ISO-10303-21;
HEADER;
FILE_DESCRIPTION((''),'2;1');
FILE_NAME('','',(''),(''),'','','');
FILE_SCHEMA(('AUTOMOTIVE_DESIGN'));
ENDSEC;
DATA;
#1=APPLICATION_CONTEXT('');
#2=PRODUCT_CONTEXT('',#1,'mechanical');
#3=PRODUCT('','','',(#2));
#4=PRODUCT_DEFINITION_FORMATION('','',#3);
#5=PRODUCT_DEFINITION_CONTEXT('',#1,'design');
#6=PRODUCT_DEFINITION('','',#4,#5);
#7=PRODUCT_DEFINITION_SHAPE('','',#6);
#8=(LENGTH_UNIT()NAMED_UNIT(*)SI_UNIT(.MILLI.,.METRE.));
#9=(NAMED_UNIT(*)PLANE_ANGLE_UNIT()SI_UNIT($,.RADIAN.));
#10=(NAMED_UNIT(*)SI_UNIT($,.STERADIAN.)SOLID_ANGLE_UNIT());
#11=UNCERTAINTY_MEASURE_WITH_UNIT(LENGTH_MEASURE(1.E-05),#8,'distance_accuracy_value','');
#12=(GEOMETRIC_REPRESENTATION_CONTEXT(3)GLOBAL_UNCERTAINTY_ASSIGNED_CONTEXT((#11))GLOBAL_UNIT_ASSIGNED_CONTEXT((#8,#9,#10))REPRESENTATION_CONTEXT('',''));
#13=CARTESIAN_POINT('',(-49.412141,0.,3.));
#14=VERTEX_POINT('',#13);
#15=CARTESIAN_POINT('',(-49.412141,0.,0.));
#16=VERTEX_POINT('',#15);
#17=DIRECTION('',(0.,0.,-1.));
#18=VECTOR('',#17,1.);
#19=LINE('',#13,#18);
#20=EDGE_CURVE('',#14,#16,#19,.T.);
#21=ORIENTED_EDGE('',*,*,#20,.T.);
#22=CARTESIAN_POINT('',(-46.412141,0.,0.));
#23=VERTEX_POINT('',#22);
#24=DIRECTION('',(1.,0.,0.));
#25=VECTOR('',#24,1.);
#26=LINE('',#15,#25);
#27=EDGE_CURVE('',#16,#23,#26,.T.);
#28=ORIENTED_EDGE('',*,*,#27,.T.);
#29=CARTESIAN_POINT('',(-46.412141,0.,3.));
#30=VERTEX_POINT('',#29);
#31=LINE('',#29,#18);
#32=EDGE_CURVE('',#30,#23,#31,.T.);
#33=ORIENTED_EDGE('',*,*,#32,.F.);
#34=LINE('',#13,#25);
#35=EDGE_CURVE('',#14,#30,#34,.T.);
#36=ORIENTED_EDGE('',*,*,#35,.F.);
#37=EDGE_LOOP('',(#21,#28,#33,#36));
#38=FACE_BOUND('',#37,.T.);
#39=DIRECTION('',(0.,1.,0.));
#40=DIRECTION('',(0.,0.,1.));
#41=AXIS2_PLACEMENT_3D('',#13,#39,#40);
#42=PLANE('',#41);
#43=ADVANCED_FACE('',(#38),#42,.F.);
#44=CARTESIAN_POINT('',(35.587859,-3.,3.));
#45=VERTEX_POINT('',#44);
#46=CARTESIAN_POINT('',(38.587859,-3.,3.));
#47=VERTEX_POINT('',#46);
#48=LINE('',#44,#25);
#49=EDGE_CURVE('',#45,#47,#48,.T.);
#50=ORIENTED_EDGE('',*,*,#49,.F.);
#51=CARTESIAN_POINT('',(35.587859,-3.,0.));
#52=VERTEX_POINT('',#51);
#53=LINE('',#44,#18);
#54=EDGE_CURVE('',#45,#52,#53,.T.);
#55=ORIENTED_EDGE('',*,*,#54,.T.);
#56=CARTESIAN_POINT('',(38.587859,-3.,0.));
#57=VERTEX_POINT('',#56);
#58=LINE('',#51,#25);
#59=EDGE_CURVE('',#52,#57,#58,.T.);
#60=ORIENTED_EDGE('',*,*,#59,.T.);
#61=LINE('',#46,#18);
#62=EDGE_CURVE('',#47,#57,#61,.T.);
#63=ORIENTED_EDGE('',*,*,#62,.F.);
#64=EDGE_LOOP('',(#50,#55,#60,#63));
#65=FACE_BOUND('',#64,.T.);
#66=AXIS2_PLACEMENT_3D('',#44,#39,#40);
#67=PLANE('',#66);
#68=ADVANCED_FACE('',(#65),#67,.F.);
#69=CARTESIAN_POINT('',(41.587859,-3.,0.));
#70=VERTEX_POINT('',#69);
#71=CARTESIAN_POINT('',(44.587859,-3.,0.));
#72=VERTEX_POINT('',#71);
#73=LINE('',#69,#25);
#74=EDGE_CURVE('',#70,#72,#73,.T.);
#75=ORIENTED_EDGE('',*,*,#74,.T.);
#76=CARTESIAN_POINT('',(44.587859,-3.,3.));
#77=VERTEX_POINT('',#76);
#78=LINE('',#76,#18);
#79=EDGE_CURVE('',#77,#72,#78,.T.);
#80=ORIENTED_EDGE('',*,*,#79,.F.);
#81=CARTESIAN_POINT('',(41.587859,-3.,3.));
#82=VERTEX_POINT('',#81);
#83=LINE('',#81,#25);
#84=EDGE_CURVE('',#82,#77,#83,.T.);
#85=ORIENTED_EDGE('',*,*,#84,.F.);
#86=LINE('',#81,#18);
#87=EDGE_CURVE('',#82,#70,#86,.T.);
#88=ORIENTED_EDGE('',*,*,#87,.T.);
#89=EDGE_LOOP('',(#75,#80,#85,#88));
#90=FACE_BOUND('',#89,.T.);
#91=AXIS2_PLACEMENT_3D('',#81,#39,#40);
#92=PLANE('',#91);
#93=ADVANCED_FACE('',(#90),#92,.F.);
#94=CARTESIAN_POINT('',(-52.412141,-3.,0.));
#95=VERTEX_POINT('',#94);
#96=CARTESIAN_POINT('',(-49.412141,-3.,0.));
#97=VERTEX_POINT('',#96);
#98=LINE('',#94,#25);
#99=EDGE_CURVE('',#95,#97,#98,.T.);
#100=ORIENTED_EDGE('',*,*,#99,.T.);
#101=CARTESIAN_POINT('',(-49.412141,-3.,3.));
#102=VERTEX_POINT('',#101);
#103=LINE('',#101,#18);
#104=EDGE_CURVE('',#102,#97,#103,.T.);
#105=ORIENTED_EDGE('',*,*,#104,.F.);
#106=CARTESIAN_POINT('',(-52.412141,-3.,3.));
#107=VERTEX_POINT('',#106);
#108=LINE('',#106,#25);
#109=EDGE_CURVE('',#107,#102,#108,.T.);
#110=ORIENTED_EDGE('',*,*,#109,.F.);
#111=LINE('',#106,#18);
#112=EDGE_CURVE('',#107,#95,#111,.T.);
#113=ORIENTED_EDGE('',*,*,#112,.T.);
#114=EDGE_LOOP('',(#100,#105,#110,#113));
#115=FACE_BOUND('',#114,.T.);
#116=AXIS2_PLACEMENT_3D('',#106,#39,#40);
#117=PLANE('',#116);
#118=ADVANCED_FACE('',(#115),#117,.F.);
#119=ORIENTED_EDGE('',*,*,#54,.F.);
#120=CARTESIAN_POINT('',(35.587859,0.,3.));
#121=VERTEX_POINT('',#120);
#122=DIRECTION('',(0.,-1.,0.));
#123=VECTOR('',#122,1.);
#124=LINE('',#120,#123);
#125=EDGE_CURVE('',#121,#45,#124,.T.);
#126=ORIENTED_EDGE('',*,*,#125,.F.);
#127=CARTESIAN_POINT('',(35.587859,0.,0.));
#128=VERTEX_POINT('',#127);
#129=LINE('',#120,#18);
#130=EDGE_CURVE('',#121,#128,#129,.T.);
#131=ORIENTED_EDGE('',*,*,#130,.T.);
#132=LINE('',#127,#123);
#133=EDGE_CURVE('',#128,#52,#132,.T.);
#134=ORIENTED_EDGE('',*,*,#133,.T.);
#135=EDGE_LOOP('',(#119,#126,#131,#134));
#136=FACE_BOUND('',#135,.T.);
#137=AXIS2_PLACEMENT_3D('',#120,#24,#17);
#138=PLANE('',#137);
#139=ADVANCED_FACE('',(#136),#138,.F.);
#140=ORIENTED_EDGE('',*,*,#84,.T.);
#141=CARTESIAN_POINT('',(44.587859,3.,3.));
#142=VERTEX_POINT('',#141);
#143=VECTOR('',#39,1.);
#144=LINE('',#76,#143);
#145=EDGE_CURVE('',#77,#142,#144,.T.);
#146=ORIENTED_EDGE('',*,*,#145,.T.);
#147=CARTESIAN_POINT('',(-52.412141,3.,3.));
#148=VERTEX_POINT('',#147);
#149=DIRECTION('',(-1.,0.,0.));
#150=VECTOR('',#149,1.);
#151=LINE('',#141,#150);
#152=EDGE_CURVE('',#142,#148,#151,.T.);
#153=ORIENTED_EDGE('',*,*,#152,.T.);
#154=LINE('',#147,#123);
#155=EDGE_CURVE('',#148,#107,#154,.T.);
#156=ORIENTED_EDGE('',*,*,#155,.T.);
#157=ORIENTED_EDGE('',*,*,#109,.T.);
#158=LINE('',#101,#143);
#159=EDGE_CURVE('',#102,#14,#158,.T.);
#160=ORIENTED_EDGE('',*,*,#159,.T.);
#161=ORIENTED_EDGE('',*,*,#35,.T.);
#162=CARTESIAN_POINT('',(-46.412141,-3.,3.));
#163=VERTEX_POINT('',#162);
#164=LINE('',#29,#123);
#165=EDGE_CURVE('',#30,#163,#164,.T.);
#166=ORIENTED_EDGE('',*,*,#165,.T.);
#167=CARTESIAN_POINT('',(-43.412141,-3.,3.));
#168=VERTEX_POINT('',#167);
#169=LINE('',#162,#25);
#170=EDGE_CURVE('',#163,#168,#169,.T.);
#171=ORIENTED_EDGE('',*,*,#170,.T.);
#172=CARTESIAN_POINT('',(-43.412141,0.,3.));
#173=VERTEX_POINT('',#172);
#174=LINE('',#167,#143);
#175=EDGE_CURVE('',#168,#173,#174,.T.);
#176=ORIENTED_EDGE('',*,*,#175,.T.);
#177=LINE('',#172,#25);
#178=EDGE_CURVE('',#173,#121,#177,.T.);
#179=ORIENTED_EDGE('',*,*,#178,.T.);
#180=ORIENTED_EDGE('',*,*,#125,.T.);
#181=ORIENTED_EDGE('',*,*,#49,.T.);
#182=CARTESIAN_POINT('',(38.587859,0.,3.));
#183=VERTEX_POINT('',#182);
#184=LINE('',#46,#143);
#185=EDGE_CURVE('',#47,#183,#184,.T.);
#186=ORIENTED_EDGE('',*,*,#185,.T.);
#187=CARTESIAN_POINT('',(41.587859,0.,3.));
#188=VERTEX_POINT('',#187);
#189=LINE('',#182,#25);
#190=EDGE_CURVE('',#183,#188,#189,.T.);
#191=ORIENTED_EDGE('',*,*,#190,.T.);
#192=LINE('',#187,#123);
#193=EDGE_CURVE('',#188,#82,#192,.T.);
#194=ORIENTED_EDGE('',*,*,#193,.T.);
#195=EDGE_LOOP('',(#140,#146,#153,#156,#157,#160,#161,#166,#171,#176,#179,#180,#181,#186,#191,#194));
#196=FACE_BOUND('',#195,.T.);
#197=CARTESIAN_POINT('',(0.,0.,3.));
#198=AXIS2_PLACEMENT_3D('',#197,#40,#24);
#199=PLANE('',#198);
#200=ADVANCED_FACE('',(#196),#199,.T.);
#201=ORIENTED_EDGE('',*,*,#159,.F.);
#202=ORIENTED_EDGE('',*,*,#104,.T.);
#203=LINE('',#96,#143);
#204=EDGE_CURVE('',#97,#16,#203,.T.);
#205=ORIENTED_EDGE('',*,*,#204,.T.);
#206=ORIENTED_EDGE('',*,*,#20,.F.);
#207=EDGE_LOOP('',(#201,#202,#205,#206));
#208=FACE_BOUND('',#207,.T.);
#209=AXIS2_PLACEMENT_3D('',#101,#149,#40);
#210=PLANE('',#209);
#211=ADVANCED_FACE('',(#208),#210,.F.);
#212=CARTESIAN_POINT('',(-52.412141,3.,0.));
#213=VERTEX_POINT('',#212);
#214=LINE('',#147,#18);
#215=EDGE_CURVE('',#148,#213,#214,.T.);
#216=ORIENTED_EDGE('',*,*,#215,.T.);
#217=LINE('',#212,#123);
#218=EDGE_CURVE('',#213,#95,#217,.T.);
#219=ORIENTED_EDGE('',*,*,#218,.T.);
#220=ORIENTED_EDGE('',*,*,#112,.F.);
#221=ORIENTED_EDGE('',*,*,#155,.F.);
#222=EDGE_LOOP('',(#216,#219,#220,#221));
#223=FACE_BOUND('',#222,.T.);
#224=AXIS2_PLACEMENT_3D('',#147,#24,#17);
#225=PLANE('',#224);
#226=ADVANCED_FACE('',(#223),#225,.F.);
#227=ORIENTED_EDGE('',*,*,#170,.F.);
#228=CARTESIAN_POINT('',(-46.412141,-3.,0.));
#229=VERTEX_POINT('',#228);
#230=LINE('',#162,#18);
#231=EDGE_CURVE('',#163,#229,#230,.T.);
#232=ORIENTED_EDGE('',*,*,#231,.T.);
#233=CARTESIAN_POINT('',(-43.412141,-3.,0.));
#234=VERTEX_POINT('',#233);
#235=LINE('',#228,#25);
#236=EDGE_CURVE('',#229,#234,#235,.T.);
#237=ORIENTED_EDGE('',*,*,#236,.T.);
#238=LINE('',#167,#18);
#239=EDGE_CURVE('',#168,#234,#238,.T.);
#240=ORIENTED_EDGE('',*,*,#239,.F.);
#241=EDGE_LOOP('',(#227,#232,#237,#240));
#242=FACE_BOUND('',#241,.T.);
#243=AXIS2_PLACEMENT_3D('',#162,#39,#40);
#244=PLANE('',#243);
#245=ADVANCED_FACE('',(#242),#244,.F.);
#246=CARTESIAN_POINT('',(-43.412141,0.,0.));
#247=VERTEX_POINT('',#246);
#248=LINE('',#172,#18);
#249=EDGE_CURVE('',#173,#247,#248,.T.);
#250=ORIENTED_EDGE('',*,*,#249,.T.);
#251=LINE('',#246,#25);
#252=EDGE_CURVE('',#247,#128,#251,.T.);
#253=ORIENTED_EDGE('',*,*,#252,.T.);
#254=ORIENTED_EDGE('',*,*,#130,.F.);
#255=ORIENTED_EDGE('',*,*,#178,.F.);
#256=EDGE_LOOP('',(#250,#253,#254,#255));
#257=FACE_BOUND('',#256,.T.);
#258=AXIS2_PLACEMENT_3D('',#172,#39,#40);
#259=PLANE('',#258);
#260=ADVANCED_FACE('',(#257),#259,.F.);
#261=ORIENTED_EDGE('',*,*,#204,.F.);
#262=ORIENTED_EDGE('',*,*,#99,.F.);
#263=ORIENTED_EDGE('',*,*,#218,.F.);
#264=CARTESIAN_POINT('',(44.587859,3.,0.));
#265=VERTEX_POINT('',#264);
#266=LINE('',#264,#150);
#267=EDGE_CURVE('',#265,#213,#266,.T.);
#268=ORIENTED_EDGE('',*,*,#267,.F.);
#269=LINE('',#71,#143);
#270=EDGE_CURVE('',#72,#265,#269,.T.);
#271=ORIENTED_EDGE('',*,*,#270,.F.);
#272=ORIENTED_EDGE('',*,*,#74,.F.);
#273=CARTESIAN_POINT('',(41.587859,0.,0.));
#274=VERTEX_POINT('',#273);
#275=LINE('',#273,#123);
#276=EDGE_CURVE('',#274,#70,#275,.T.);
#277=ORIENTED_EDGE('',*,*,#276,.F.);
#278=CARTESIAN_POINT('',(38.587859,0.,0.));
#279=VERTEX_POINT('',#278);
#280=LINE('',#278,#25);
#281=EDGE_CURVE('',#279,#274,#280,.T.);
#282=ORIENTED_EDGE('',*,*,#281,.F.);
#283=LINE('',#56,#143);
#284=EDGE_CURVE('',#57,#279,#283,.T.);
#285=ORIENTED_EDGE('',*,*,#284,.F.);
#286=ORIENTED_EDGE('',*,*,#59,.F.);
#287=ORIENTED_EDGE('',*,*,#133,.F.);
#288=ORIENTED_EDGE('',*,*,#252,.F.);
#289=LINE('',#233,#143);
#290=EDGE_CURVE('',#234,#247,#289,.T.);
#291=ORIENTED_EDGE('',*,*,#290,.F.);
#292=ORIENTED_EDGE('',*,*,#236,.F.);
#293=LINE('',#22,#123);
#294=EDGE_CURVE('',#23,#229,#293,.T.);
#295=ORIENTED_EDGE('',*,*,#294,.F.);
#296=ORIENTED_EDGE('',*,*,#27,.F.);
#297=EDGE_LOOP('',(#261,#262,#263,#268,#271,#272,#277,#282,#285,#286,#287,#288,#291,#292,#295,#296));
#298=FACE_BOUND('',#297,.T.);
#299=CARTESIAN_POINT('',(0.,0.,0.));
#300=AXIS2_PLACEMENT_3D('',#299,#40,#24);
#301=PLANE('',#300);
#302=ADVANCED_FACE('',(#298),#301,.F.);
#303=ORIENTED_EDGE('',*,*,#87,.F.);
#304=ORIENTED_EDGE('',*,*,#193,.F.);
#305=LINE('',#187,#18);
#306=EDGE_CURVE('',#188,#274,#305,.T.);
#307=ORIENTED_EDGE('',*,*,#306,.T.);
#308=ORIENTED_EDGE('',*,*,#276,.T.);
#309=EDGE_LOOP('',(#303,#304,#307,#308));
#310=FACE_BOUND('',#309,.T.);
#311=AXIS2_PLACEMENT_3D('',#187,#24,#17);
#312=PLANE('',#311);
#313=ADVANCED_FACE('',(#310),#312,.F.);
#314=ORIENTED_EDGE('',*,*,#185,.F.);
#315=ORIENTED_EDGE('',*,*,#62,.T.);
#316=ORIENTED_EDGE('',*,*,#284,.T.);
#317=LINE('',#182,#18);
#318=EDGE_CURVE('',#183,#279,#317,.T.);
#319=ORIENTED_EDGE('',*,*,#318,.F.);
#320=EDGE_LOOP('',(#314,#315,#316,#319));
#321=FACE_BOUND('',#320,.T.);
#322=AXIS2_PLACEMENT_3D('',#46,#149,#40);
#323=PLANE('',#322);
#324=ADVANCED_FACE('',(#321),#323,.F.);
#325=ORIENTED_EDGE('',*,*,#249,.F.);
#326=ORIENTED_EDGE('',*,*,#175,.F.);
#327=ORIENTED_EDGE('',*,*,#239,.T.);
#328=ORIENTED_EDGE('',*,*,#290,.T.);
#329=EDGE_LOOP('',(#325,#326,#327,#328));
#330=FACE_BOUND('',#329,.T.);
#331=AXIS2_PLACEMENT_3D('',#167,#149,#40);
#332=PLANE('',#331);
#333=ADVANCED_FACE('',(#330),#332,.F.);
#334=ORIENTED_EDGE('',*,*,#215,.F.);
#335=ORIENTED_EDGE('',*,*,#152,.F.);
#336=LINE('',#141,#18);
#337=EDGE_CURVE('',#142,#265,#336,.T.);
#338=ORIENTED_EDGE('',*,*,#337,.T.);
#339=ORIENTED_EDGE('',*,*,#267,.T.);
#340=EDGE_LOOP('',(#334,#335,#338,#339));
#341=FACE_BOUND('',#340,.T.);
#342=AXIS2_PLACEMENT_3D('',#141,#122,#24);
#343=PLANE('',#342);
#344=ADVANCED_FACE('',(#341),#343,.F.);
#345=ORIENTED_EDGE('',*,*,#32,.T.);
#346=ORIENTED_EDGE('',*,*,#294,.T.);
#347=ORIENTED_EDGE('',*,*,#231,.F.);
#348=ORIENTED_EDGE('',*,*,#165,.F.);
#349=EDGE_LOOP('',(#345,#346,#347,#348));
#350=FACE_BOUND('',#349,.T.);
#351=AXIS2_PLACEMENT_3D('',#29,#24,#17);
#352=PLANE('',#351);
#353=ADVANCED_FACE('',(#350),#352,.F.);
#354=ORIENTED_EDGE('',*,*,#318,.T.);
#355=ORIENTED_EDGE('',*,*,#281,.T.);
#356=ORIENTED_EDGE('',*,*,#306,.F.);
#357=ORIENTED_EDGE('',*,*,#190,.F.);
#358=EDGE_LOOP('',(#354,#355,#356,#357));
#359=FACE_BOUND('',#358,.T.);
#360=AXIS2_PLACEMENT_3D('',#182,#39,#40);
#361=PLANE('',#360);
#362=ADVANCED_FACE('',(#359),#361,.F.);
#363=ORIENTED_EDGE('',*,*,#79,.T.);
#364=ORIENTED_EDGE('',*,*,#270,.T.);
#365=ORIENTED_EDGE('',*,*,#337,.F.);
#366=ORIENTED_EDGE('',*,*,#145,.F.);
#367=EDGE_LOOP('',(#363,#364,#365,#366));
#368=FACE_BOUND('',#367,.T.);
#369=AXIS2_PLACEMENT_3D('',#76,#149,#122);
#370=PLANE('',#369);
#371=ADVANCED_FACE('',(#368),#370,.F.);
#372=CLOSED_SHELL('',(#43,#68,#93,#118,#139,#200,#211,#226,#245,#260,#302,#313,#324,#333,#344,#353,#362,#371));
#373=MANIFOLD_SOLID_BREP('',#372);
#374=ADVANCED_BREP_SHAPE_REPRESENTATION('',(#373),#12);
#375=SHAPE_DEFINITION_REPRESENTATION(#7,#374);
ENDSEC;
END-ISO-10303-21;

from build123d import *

# Parameters (mm, degrees)
SALIENTE_EXTRUIR1_DEPTH = 3


with BuildPart() as part:
    # Croquis2 → Saliente-Extruir1 (new body)
    with BuildSketch(Plane.XY):
        Polygon((-43.412140575, 0), (35.587859425, 0), (35.587859425, -3), (38.587859425, -3), (38.587859425, 0), (41.587859425, 0), (41.587859425, -3), (44.587859425, -3), (44.587859425, 3), (-52.412140575, 3), (-52.412140575, -3), (-49.412140575, -3), (-49.412140575, 0), (-46.412140575, 0), (-46.412140575, -3), (-43.412140575, -3), align=None)
    extrude(amount=SALIENTE_EXTRUIR1_DEPTH)


solid = part.part
